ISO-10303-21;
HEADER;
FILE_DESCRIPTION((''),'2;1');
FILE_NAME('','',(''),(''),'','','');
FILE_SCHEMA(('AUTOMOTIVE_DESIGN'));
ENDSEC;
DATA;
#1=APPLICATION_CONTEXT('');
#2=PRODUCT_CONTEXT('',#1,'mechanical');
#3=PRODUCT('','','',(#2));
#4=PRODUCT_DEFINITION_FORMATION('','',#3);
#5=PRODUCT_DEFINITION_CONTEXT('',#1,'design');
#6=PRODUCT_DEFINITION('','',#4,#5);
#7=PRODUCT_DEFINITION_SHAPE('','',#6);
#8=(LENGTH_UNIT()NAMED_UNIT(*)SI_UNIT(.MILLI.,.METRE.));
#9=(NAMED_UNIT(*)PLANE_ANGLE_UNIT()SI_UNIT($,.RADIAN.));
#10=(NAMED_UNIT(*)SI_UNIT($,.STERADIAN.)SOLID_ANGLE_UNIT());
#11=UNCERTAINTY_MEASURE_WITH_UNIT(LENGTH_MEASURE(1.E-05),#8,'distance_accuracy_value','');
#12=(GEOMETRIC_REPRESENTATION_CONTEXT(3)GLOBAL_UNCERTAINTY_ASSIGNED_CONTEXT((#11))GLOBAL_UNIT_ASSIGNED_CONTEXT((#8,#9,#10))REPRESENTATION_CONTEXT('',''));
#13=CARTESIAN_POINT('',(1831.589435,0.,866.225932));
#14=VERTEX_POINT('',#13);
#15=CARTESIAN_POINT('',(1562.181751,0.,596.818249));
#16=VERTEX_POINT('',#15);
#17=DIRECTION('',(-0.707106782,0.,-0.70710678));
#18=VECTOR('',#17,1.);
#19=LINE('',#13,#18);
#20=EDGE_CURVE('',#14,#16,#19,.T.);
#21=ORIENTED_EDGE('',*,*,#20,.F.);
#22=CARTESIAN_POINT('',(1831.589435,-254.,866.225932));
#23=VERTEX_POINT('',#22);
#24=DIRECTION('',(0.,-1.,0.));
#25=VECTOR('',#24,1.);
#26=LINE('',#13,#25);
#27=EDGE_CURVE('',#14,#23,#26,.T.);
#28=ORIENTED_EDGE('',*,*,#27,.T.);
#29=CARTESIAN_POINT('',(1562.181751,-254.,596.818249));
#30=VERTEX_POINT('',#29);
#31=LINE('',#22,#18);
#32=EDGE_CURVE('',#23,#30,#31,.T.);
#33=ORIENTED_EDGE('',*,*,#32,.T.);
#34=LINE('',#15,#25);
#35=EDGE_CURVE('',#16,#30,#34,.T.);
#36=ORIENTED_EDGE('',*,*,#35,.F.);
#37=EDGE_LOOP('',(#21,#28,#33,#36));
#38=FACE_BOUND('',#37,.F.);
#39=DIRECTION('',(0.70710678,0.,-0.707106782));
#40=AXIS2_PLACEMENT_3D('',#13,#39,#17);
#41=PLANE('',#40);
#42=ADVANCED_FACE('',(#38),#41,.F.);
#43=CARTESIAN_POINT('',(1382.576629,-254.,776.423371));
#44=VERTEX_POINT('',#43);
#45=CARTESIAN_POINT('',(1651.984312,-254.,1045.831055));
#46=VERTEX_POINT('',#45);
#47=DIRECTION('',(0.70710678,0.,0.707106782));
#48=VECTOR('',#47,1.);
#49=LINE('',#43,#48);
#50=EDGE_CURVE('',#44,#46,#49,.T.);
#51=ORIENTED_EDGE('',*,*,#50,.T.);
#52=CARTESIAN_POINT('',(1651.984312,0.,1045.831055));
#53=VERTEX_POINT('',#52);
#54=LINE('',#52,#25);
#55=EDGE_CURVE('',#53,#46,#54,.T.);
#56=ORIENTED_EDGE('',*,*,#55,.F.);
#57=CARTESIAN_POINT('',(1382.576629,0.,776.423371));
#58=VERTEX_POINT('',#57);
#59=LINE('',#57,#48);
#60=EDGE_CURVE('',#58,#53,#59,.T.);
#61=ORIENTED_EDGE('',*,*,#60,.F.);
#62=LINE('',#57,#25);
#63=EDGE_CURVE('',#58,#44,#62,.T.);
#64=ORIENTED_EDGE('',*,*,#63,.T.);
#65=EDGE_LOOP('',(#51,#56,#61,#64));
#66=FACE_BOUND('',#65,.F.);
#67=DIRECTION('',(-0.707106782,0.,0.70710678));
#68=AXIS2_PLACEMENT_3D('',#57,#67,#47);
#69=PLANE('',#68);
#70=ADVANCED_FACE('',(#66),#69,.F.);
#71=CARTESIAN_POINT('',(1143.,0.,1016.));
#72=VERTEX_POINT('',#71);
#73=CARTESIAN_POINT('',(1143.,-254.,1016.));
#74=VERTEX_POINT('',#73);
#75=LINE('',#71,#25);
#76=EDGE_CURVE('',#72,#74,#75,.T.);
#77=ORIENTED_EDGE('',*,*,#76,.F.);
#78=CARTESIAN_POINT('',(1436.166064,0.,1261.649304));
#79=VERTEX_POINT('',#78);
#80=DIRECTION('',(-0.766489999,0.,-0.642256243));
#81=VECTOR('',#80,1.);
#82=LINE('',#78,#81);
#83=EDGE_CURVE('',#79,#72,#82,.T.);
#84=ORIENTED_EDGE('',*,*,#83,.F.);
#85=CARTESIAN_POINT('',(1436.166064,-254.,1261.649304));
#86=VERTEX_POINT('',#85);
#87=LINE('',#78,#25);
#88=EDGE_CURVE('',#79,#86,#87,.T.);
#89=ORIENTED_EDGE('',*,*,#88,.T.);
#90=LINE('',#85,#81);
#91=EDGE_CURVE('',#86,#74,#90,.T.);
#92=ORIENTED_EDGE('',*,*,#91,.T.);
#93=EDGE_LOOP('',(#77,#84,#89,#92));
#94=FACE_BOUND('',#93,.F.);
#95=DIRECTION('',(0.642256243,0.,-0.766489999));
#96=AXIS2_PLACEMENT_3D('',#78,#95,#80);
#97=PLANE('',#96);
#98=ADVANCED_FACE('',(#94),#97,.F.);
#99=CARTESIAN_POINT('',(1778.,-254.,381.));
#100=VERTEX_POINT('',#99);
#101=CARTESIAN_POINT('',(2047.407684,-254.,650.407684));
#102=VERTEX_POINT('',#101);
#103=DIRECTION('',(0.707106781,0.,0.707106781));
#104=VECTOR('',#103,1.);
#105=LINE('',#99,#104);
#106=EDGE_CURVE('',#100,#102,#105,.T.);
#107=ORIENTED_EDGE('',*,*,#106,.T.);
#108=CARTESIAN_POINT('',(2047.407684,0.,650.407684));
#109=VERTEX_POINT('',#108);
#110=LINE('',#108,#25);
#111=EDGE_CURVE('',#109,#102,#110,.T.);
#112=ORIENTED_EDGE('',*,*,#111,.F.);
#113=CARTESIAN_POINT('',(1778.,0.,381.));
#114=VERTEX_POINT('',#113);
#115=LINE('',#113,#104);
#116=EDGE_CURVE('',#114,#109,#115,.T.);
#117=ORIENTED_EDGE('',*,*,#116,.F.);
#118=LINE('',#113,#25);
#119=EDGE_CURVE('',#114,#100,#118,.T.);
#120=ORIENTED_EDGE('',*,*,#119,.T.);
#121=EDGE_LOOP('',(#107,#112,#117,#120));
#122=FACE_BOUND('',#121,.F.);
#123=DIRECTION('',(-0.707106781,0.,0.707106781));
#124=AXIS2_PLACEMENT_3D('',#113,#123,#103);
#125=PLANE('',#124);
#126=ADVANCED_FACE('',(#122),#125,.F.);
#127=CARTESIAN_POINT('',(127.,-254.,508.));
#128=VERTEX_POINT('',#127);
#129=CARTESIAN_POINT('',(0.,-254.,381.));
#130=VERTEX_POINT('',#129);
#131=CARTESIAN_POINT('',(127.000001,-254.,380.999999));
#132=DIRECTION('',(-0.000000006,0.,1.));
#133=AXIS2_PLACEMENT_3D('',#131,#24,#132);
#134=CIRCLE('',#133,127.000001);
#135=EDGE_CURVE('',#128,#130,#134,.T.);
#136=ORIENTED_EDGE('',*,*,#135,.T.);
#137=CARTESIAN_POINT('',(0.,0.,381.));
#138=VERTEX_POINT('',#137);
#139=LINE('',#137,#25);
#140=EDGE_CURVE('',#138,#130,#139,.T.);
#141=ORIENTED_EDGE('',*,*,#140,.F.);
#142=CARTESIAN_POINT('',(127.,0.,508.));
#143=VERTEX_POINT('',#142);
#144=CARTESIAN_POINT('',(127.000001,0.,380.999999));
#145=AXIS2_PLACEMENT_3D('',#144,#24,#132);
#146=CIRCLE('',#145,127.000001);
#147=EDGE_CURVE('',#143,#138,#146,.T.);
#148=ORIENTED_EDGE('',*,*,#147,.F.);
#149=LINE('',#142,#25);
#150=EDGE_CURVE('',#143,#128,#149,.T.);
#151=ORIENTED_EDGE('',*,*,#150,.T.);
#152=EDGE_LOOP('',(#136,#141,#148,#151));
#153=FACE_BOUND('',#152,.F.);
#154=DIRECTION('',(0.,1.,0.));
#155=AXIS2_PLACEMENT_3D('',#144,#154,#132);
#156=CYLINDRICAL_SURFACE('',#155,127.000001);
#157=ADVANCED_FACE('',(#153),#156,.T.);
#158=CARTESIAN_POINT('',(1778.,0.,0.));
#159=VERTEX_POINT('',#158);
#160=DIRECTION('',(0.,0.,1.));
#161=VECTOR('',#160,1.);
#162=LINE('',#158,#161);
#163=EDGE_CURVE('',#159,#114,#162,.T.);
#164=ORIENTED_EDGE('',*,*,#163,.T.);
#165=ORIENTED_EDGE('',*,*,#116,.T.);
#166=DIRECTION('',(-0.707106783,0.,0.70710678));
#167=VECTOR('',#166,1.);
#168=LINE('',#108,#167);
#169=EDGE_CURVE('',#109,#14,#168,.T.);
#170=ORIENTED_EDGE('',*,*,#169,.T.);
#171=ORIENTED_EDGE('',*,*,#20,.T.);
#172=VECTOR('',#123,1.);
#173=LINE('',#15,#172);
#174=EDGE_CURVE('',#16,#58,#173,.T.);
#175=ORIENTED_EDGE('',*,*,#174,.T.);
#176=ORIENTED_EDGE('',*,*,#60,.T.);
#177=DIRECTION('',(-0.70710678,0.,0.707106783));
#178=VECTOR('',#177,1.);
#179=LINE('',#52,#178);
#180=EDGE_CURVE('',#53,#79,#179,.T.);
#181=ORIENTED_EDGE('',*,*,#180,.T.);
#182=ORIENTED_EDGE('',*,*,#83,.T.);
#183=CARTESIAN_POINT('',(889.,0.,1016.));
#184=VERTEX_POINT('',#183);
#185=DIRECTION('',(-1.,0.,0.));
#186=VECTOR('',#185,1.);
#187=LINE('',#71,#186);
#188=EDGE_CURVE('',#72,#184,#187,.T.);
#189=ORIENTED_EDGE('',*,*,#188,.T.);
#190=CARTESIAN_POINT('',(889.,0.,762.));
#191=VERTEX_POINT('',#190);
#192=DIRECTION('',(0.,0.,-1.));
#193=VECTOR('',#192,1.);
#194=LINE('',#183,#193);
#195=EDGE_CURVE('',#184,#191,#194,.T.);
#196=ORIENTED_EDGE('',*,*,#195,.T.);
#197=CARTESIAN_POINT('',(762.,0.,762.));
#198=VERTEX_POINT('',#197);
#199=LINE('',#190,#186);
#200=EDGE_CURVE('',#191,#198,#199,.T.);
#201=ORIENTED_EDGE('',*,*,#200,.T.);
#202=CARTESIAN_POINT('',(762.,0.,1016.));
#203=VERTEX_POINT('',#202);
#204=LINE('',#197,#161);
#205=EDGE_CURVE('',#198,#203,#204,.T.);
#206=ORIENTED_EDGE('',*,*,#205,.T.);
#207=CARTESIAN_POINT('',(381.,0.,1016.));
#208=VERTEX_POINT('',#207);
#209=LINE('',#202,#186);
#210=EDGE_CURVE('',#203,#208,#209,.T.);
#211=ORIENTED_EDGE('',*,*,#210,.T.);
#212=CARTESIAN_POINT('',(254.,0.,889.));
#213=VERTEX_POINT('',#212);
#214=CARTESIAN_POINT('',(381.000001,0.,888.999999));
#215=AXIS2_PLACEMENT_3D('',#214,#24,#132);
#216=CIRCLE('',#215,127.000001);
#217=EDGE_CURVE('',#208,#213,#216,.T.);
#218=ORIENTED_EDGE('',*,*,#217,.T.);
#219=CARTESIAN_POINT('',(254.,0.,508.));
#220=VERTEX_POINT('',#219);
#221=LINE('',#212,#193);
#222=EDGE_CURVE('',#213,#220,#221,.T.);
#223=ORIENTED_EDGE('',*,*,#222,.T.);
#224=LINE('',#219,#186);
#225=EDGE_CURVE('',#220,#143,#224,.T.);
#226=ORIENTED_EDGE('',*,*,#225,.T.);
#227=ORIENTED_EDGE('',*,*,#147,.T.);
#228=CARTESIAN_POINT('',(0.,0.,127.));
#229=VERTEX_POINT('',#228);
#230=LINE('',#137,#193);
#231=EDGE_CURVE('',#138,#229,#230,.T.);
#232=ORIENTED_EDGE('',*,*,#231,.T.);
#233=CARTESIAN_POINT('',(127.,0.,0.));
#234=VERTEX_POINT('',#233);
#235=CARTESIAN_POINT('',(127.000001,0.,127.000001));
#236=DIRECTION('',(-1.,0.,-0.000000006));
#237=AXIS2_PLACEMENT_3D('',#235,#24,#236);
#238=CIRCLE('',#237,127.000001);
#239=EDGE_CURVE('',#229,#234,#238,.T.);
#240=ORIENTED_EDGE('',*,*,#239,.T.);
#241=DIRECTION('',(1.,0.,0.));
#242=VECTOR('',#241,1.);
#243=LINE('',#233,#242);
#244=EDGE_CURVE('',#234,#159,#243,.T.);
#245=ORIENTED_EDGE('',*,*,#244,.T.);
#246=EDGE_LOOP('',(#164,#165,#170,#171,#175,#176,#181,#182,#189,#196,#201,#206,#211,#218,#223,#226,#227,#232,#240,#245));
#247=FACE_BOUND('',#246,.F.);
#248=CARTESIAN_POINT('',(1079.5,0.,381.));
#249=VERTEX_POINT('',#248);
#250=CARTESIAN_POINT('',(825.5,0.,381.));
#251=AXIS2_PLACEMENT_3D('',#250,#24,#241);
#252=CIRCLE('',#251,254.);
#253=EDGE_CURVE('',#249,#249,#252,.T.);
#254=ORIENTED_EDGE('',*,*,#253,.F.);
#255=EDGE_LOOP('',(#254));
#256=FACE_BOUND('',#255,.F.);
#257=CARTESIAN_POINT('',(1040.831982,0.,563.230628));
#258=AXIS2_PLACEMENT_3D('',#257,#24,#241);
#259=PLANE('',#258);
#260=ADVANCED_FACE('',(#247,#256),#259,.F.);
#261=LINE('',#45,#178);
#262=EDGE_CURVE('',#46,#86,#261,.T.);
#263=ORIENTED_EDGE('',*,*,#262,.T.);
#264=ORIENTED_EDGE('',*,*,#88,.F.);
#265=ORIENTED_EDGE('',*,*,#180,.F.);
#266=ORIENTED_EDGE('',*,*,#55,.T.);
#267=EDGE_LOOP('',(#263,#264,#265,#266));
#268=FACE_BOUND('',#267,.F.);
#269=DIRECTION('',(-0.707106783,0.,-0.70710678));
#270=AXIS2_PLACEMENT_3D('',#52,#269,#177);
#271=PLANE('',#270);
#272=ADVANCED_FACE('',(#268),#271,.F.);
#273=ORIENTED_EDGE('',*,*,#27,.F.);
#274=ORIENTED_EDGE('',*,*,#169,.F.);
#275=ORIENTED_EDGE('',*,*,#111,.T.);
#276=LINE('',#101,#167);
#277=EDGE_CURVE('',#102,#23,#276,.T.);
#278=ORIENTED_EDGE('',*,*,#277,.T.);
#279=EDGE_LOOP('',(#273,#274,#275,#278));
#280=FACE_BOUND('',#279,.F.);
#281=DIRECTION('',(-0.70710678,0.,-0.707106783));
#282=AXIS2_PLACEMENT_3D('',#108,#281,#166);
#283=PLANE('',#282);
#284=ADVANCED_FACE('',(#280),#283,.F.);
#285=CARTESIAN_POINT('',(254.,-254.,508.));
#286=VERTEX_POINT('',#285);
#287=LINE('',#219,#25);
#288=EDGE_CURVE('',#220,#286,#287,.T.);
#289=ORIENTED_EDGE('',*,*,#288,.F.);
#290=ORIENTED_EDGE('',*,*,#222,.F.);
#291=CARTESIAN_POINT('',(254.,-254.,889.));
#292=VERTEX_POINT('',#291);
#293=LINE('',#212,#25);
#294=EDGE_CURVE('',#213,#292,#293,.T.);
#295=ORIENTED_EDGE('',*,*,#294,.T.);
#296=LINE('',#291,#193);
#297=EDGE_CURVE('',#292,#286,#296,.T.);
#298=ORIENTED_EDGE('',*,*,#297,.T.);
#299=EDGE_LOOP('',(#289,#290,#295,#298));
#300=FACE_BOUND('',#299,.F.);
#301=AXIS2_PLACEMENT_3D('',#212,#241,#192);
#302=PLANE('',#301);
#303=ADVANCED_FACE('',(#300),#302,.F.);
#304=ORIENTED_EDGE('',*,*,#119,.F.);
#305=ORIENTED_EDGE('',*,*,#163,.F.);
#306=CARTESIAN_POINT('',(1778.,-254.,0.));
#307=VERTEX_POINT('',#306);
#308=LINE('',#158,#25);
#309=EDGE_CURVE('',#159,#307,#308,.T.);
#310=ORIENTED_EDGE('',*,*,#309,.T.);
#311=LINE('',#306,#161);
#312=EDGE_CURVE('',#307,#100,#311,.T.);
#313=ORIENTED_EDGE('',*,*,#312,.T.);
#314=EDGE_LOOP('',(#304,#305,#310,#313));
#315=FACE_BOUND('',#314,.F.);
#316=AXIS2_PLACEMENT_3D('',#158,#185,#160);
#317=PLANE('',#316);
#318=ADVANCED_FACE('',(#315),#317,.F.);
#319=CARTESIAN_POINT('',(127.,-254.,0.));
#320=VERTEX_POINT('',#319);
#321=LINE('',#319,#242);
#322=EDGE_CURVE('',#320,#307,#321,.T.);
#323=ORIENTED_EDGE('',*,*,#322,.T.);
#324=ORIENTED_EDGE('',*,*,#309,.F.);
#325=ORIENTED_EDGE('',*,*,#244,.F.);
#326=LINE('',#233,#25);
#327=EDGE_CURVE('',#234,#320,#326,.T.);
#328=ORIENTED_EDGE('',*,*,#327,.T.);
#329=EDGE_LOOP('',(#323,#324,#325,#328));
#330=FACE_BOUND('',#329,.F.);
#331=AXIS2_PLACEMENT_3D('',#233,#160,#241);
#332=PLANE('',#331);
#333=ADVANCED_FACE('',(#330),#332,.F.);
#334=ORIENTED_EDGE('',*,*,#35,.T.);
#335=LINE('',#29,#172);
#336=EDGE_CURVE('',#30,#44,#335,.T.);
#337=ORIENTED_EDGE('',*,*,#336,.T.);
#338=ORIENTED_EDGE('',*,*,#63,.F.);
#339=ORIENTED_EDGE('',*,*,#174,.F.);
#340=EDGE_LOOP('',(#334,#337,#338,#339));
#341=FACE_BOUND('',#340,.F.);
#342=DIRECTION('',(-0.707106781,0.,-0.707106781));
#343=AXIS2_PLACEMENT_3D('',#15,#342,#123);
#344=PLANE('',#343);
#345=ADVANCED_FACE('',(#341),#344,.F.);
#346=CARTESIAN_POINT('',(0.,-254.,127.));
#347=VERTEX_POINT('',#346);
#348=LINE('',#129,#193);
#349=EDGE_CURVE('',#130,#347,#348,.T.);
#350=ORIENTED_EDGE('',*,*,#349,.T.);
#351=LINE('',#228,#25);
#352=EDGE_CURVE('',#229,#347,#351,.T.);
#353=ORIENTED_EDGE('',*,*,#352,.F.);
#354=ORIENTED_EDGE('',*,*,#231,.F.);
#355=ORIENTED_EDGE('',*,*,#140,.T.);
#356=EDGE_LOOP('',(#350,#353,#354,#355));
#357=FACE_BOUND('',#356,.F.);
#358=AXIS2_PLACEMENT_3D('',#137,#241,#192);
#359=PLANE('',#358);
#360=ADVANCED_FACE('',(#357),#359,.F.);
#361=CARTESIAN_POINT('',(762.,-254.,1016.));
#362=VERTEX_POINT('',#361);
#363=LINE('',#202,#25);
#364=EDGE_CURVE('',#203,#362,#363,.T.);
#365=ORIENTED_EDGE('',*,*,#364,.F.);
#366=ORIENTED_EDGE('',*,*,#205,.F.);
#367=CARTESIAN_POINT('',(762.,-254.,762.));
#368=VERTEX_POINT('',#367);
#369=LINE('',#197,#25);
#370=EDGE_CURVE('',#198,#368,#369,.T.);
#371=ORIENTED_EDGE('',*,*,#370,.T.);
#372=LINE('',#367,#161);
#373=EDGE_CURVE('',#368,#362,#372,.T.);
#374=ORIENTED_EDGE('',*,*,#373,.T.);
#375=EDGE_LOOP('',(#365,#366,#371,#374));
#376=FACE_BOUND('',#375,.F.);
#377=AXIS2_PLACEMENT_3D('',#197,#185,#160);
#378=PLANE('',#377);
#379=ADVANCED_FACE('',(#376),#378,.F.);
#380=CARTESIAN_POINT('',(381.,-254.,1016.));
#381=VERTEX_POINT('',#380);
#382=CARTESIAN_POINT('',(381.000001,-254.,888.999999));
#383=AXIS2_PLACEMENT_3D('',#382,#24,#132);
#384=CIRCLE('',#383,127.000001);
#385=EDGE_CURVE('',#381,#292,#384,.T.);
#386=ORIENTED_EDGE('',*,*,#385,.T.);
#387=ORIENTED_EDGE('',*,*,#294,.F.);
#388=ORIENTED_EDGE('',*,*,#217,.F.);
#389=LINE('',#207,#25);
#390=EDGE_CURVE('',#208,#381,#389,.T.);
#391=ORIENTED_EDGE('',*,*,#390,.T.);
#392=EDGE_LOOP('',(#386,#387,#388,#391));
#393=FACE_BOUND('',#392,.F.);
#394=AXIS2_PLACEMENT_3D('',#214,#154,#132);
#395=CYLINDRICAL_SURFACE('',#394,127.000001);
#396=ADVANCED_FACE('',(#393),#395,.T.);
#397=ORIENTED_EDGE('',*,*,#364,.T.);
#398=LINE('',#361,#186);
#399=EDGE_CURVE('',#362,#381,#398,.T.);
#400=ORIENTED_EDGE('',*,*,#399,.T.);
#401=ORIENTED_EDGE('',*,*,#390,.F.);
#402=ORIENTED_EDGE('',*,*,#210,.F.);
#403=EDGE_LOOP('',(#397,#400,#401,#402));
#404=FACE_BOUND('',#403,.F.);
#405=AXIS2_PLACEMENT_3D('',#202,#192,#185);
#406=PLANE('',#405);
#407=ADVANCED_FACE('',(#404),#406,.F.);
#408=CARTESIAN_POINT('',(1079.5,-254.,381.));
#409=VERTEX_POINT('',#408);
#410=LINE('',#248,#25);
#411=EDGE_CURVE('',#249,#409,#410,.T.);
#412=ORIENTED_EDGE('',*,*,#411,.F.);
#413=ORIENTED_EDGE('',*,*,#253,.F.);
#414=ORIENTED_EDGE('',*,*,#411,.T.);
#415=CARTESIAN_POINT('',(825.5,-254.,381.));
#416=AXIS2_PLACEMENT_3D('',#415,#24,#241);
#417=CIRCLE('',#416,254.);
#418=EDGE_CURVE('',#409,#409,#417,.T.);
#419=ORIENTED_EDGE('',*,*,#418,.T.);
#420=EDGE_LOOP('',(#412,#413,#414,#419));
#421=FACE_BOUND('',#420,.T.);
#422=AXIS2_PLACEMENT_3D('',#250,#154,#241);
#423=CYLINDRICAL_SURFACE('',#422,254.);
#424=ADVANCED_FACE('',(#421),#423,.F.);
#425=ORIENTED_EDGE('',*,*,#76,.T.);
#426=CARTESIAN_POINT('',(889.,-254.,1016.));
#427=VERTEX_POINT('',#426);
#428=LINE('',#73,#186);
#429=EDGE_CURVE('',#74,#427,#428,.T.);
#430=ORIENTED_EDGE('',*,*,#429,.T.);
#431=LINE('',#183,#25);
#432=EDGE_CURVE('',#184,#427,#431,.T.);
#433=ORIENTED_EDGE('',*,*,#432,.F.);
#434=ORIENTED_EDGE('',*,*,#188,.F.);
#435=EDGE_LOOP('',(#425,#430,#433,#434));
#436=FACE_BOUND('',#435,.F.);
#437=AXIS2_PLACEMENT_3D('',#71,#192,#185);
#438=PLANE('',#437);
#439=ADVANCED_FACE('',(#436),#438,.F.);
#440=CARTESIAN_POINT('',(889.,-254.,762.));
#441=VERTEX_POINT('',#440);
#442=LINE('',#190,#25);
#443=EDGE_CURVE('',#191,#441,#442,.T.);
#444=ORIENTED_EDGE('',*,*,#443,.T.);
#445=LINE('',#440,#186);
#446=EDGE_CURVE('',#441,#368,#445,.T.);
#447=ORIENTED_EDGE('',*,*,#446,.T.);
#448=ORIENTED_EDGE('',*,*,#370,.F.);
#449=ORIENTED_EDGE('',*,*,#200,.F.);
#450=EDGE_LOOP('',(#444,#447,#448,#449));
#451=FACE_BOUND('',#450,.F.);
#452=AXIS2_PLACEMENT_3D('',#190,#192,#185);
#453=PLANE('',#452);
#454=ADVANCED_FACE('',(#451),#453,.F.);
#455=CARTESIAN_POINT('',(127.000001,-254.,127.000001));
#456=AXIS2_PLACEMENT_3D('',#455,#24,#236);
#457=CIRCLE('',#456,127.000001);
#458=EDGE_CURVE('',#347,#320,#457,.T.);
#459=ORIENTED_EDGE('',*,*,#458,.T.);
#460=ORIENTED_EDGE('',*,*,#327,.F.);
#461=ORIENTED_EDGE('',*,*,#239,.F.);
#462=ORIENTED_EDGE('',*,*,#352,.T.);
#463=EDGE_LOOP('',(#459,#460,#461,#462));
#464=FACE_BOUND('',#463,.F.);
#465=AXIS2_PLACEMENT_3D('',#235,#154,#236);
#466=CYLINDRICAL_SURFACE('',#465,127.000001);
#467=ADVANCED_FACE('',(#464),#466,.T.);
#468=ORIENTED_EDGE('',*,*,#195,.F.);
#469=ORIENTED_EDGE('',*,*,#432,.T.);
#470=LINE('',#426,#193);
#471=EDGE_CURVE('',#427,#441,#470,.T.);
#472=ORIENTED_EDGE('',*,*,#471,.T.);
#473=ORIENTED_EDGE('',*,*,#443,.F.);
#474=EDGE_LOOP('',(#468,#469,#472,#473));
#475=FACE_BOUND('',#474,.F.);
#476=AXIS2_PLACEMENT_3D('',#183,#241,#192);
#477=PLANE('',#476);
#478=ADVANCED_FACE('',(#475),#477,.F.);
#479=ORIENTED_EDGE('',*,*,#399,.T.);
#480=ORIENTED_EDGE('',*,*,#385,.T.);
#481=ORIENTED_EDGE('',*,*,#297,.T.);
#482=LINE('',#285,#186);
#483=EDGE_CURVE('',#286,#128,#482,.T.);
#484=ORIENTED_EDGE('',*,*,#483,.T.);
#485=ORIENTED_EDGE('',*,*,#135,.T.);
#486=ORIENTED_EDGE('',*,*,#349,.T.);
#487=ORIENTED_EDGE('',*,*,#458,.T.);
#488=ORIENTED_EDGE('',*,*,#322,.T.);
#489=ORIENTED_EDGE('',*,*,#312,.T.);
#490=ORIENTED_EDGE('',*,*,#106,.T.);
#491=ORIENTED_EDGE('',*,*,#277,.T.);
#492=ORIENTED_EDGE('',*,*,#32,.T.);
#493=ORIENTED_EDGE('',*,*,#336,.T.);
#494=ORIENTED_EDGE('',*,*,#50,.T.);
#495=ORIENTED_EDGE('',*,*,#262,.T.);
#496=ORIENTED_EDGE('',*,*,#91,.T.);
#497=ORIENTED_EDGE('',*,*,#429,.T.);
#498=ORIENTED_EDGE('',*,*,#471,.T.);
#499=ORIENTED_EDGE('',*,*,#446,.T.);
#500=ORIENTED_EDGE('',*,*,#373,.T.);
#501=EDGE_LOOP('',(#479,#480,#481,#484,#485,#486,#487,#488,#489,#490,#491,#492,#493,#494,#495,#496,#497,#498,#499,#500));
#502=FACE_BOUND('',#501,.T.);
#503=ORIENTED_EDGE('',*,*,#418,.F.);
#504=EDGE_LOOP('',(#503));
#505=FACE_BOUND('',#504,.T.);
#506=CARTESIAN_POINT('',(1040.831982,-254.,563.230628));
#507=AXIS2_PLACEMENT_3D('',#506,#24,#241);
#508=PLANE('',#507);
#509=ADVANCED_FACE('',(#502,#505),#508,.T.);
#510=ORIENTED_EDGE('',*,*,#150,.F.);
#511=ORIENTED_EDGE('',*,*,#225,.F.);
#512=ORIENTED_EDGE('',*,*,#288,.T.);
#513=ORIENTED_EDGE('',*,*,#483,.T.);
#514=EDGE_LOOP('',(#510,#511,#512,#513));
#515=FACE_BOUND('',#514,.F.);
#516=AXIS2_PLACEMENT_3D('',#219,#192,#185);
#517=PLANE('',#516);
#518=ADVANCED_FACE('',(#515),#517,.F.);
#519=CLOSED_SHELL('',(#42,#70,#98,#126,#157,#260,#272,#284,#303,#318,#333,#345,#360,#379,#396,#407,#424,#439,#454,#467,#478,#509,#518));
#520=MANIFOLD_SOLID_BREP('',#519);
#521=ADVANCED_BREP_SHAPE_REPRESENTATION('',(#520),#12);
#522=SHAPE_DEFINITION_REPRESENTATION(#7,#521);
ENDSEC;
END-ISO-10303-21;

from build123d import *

# Parameters (mm, degrees)
F0_R     = 254
F1_DEPTH = 254


with BuildPart() as f1:
    # F0 (on Front) → F1 (new body)
    with BuildSketch(Plane.XZ):
        with BuildLine():
            ThreePointArc((0, 127), (37.197439, 37.197439), (127, 0))
            Line((127, 0), (1778, 0))
            Line((1778, 0), (1778, 381))
            Line((1778, 381), (2047.407684, 650.407684))
            Line((2047.407684, 650.407684), (1831.589435, 866.225932))
            Line((1831.589435, 866.225932), (1562.181751, 596.818249))
            Line((1562.181751, 596.818249), (1382.576629, 776.423371))
            Line((1382.576629, 776.423371), (1651.984312, 1045.831055))
            Line((1651.984312, 1045.831055), (1436.166064, 1261.649304))
            Line((1436.166064, 1261.649304), (1143, 1016))
            Line((1143, 1016), (889, 1016))
            Line((889, 1016), (889, 762))
            Line((889, 762), (762, 762))
            Line((762, 762), (762, 1016))
            Line((762, 1016), (381, 1016))
            ThreePointArc((381, 1016), (291.197439, 978.802561), (254, 889))
            Line((254, 889), (254, 508))
            Line((254, 508), (127, 508))
            ThreePointArc((127, 508), (37.197439, 470.802561), (0, 381))
            Line((0, 381), (0, 127))
        make_face()
        with Locations((825.5, 381)):
            Circle(F0_R, mode=Mode.SUBTRACT)
    extrude(amount=F1_DEPTH)


solid = f1.part
